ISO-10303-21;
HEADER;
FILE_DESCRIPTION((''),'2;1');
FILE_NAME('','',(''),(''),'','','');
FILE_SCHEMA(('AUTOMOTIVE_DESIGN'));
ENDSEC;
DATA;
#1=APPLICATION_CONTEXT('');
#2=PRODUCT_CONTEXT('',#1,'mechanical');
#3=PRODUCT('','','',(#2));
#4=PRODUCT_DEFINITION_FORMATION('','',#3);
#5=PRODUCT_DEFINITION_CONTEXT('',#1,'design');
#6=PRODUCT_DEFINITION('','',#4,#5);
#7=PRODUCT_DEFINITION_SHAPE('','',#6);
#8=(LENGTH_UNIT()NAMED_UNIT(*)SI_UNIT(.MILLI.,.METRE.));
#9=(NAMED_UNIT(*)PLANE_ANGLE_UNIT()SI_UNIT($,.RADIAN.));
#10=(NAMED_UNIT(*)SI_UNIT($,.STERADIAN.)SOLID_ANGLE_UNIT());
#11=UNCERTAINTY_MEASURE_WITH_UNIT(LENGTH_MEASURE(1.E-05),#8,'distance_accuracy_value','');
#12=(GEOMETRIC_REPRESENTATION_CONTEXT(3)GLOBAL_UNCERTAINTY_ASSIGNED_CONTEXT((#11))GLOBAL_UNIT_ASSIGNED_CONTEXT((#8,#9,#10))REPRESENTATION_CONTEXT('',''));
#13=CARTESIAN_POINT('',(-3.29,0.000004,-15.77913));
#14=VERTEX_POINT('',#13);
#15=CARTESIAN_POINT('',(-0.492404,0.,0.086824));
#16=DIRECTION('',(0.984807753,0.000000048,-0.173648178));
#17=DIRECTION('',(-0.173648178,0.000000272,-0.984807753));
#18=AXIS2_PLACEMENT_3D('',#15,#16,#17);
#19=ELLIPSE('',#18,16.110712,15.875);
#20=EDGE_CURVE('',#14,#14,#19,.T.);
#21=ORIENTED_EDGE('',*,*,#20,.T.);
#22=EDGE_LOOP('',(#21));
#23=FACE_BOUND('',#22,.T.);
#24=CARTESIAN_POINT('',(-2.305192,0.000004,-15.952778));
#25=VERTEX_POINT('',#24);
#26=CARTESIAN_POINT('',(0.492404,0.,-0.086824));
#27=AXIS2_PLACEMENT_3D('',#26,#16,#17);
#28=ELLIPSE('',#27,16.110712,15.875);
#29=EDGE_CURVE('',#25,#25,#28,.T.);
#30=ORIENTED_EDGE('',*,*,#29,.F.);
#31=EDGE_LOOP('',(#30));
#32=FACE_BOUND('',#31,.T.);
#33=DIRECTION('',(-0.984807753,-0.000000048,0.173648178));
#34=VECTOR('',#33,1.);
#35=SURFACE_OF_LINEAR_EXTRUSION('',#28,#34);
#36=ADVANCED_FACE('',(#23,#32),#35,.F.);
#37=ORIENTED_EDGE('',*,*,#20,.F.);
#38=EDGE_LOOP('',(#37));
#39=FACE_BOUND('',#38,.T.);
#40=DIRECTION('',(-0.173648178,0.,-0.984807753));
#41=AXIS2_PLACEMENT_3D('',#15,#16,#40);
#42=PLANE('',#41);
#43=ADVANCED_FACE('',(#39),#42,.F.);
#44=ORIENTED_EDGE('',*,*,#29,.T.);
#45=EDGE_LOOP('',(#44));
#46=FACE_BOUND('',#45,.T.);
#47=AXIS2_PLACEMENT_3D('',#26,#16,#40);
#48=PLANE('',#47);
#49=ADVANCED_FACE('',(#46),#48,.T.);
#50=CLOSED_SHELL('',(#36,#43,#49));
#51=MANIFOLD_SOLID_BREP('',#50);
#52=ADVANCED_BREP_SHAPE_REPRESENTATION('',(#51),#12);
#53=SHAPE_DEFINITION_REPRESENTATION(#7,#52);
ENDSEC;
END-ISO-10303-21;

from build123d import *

# Parameters (mm, degrees)
SKETCH4_RX          = 16.110712285
SKETCH4_RY          = 15.875
BOSS_EXTRUDE1_DEPTH = 0.5


with BuildPart() as part:
    # Sketch4 → Boss-Extrude1 (new, symmetric)
    with BuildSketch(Plane(origin=(0, 0, 0), x_dir=(0.17364817766692395, 0, 0.9848077530122092), z_dir=(0.9848077530122081, 4.8018890048418335e-08, -0.17364817766692375))):
        with Locations(Location((0, 0), (0, 0, -179.999984397))):
            Ellipse(SKETCH4_RX, SKETCH4_RY)
    extrude(amount=BOSS_EXTRUDE1_DEPTH, both=True)


solid = part.part
